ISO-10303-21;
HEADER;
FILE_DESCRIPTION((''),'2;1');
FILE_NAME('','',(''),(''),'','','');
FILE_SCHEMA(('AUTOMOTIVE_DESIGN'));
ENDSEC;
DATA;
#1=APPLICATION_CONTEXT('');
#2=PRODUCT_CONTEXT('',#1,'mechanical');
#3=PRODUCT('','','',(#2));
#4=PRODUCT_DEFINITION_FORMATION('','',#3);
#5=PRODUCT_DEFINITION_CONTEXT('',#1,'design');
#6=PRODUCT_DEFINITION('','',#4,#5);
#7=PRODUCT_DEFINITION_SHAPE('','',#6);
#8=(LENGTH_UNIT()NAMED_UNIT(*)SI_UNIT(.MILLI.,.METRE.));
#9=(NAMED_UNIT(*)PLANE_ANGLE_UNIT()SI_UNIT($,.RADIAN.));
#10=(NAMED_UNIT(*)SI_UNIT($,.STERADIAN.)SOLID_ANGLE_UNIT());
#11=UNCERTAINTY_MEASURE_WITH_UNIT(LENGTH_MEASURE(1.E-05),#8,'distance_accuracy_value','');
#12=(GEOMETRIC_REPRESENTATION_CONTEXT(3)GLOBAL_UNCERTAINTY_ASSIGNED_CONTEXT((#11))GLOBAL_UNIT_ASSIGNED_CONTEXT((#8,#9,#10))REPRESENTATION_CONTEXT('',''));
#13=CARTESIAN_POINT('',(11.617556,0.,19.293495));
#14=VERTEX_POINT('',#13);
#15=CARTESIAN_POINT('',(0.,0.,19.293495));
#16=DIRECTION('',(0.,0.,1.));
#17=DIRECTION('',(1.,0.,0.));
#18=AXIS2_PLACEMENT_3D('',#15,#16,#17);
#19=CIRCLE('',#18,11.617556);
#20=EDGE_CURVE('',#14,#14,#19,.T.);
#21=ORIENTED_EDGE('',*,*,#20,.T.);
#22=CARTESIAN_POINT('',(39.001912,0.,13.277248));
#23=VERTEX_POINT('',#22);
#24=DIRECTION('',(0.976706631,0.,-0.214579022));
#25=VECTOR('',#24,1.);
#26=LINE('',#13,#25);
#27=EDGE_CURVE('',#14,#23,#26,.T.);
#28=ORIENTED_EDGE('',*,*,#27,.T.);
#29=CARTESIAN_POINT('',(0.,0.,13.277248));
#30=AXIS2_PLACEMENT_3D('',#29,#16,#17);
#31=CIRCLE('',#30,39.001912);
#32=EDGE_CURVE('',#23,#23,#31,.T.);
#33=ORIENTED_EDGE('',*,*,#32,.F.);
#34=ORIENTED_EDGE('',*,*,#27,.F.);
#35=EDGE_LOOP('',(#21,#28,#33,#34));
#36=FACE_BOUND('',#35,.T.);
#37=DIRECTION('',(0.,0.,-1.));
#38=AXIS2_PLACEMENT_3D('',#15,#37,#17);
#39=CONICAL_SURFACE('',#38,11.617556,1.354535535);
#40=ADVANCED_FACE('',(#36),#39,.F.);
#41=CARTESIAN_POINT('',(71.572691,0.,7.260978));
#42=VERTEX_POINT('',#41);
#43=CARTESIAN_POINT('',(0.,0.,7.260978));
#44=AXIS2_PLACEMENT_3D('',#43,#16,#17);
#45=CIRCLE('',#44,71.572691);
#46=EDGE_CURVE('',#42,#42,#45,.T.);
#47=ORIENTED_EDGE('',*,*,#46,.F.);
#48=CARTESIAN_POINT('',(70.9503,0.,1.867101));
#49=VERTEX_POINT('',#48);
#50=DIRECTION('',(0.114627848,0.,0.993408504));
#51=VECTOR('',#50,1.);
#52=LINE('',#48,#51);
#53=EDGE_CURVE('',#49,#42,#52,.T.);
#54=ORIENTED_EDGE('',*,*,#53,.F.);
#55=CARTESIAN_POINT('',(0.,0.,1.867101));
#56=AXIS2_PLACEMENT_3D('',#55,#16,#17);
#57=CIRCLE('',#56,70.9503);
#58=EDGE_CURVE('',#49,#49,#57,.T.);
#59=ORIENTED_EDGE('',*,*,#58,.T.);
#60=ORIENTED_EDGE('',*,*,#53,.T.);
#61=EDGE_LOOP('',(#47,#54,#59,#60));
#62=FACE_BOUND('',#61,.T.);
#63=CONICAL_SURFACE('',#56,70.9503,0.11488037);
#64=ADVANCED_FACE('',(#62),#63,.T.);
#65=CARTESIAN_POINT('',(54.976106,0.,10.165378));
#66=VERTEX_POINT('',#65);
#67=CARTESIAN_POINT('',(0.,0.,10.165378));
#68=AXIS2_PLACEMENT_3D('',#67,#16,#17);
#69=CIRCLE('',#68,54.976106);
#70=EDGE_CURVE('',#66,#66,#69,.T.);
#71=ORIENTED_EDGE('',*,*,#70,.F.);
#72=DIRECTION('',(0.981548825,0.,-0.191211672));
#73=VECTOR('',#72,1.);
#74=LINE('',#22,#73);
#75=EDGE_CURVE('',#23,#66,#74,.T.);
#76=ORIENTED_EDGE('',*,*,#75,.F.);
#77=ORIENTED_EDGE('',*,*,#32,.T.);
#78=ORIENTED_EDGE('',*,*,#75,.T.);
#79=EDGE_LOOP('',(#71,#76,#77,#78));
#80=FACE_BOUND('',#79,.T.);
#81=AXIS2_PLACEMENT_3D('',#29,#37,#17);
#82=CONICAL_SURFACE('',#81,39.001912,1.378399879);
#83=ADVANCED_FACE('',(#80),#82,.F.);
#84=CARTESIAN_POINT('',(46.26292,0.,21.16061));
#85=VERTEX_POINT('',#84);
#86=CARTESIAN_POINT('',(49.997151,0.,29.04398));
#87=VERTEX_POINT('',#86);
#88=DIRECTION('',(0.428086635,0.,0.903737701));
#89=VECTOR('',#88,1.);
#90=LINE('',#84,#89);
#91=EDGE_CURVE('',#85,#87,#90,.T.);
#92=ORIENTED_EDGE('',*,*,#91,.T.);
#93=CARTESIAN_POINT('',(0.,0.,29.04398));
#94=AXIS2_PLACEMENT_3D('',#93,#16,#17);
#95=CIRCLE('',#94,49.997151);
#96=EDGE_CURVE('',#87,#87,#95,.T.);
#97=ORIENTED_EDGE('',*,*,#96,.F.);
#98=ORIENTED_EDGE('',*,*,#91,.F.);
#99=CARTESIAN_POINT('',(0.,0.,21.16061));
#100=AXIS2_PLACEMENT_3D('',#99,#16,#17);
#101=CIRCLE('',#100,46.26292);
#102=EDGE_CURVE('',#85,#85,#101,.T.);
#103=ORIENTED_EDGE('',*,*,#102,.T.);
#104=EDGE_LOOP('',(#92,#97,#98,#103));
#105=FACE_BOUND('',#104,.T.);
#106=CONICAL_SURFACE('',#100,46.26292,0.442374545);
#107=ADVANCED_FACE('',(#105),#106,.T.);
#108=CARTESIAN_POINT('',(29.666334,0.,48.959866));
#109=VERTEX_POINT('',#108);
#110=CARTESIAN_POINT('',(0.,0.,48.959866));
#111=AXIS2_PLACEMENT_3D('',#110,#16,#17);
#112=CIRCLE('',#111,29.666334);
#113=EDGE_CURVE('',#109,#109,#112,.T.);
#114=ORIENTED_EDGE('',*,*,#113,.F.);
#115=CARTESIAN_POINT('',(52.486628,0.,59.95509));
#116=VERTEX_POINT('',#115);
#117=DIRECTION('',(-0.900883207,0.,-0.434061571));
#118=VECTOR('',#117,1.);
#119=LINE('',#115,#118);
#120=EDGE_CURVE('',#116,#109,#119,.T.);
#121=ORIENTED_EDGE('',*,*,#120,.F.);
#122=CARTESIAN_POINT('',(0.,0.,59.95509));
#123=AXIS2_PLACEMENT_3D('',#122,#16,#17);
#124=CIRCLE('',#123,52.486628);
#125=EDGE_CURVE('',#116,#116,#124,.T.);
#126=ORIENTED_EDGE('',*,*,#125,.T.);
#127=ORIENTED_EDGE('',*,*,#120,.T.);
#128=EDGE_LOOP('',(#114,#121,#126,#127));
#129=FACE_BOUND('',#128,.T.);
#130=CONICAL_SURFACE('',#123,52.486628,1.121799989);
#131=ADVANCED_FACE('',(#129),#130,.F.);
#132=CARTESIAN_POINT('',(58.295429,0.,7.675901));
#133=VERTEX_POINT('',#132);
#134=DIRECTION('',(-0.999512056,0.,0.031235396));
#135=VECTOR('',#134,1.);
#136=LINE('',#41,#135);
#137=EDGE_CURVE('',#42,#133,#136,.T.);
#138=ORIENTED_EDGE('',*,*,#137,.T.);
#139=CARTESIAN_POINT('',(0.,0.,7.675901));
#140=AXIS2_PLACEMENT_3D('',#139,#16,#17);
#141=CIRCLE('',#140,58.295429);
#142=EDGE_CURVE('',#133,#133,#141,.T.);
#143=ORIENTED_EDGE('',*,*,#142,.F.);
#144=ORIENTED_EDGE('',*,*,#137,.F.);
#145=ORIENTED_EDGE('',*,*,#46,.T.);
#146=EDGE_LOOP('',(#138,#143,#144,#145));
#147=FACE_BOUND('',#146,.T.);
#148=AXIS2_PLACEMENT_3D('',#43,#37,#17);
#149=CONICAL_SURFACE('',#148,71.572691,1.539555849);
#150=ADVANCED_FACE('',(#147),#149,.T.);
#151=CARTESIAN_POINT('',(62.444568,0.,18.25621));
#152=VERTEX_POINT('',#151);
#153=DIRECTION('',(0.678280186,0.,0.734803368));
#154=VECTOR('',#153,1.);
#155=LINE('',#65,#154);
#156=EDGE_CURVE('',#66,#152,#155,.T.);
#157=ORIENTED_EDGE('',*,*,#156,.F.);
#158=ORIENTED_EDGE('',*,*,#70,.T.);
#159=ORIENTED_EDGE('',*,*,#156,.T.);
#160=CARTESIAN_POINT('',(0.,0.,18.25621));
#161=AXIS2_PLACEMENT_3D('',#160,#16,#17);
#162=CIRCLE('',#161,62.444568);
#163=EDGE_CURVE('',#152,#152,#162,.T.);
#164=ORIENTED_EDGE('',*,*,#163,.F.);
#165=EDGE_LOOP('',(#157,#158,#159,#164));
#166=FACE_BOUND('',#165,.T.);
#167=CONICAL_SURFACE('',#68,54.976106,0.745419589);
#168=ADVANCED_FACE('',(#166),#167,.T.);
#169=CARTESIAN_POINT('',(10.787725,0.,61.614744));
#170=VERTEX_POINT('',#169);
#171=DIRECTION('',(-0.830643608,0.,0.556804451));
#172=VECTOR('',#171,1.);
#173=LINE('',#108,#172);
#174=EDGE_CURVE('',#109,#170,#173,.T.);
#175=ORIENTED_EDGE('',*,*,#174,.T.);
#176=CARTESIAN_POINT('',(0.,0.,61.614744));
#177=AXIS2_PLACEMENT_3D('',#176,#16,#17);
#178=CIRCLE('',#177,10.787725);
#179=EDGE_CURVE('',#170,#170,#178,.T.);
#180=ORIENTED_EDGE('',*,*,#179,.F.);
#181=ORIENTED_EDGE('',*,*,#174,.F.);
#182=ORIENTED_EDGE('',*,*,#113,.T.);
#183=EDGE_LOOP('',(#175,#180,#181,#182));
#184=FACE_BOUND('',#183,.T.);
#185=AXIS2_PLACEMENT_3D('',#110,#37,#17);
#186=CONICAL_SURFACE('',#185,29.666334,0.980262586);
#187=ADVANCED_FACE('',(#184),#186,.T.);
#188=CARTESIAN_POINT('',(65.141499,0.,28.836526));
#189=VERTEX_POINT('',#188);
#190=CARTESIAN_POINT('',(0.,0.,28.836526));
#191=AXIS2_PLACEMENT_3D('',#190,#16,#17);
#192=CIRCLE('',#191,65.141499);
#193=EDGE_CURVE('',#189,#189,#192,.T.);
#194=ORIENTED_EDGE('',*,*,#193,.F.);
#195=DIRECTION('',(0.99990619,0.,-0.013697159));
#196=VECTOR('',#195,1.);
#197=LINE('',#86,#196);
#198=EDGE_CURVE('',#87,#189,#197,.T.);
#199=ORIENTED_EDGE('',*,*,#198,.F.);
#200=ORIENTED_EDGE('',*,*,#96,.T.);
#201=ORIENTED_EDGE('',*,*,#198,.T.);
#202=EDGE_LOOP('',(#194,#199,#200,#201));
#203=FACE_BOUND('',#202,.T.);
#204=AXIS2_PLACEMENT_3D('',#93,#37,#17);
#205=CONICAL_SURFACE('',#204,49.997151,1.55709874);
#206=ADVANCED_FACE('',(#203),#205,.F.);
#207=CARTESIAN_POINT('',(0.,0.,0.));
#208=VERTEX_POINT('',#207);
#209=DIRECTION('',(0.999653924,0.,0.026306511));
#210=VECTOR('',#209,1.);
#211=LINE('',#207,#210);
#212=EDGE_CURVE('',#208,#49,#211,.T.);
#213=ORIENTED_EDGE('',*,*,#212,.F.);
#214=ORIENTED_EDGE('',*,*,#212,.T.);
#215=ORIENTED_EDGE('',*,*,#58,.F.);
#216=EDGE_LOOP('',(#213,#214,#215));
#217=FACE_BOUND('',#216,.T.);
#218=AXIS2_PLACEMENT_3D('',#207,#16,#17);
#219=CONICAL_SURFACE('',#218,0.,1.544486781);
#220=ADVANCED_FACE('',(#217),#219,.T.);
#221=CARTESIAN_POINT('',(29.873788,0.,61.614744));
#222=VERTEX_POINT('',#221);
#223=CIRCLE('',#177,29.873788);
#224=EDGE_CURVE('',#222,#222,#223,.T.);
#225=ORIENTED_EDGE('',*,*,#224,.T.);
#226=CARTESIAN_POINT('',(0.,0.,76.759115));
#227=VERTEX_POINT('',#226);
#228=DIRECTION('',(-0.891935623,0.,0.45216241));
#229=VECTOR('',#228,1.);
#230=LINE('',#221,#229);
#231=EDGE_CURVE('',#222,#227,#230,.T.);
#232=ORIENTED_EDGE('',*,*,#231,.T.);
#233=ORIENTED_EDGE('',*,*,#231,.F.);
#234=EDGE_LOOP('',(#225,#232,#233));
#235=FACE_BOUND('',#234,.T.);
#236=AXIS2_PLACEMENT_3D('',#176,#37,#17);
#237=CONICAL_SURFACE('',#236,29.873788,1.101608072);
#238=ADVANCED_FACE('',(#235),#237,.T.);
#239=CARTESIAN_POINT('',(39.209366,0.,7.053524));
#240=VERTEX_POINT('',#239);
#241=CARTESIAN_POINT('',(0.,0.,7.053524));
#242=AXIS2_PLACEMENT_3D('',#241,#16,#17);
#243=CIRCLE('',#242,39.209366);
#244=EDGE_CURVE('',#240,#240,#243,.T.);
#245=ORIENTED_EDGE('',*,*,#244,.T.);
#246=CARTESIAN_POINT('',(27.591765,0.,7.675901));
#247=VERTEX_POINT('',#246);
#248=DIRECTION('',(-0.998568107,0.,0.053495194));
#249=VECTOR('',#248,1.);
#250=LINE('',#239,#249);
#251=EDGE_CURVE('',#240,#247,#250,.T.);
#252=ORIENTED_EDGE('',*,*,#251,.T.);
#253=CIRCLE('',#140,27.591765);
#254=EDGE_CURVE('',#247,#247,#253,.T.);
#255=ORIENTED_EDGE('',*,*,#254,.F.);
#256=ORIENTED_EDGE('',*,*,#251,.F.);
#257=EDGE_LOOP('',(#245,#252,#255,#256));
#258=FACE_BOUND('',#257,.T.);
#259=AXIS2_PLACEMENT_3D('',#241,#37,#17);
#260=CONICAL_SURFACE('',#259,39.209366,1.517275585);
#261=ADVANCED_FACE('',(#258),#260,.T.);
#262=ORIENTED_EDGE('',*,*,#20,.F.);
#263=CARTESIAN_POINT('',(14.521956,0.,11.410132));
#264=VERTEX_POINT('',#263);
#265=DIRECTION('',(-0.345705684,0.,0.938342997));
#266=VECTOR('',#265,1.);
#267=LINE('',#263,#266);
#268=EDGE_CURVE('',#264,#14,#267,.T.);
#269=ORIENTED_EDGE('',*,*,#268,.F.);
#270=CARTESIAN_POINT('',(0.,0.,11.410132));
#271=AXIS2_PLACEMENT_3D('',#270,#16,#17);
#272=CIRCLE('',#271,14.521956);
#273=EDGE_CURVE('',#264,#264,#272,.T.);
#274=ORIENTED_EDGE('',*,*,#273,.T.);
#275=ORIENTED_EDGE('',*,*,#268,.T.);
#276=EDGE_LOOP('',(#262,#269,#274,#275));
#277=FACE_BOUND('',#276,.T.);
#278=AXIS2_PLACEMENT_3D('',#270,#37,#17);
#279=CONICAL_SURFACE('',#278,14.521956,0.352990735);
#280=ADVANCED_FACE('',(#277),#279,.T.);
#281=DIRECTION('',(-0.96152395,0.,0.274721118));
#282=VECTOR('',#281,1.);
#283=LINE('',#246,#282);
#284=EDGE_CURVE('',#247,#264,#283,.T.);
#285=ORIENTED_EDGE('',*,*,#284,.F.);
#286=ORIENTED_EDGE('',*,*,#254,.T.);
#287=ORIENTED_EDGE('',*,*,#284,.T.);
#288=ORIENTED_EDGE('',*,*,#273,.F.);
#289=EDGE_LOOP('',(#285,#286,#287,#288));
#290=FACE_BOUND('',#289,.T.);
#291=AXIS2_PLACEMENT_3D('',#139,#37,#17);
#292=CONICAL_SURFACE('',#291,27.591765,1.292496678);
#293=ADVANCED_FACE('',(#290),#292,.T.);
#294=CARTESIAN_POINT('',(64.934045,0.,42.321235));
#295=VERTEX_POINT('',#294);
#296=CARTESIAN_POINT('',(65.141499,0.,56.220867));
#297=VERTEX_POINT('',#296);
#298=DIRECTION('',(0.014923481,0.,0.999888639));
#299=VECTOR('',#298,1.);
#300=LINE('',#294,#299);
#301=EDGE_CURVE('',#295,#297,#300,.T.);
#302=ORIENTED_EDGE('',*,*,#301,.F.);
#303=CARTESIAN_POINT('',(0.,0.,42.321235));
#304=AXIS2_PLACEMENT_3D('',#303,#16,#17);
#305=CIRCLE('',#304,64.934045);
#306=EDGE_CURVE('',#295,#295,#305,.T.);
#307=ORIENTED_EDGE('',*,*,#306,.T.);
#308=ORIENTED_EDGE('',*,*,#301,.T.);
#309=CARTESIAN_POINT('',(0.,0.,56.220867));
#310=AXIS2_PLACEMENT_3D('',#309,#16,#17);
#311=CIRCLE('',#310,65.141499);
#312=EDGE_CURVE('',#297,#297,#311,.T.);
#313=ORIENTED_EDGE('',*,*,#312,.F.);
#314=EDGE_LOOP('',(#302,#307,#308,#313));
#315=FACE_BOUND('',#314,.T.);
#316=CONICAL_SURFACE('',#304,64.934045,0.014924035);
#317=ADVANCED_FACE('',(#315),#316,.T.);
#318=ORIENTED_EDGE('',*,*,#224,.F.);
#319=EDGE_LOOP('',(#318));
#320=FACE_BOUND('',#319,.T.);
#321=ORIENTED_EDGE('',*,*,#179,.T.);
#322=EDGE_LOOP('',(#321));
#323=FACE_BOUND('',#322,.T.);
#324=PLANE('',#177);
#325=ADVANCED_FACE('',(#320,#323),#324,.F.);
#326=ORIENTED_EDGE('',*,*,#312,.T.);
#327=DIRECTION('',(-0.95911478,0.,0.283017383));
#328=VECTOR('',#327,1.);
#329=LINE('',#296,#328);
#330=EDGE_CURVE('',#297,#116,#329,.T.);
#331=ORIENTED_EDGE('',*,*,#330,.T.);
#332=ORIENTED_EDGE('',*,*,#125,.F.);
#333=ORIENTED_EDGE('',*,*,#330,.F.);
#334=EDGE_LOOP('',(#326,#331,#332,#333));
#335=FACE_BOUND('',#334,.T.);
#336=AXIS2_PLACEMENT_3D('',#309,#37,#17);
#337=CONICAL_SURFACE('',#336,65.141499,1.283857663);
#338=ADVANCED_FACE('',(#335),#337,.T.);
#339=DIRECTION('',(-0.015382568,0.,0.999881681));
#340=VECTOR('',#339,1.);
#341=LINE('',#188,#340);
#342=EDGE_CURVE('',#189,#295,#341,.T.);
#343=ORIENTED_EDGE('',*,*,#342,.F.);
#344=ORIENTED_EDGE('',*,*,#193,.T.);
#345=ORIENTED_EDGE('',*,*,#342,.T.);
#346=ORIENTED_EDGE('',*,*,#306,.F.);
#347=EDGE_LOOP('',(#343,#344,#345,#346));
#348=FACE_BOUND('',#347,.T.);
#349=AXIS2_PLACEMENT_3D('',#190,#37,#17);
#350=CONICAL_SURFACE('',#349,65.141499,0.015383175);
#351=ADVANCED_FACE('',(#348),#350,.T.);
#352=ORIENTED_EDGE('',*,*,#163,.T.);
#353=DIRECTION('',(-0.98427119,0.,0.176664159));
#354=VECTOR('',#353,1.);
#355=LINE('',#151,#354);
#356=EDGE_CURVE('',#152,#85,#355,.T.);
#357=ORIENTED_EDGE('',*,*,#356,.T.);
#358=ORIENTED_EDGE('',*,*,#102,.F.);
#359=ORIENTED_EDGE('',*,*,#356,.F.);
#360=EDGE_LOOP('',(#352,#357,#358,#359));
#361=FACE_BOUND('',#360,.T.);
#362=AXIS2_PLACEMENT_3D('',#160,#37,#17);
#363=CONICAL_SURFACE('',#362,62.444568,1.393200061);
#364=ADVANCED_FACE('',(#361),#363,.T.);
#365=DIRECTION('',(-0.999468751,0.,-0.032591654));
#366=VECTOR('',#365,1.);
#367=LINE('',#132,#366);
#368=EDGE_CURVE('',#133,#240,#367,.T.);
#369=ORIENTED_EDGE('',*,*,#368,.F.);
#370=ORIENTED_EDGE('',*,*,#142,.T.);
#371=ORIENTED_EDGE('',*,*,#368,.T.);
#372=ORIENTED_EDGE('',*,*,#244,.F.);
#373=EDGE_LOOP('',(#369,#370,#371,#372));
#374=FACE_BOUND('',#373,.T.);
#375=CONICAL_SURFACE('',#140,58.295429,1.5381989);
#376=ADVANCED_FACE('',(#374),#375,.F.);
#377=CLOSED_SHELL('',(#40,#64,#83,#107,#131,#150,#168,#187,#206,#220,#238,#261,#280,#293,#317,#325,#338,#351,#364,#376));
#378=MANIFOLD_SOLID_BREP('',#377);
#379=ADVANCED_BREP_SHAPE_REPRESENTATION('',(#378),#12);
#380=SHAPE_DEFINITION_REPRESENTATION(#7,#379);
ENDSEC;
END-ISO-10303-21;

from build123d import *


with BuildPart() as f1:
    # F0 (on Front) → F1 (revolve)
    with BuildSketch(Plane.XZ):
        Polygon((29.873788, 61.614744), (0, 76.759115), (0, 0), (70.9503, 1.867101), (71.572691, 7.260978), (58.295429, 7.675901), (39.209366, 7.053524), (27.591765, 7.675901), (14.521956, 11.410132), (11.617556, 19.293495), (39.001912, 13.277248), (54.976106, 10.165378), (62.444568, 18.25621), (46.26292, 21.16061), (49.997151, 29.04398), (65.141499, 28.836526), (64.934045, 42.321235), (65.141499, 56.220867), (52.486628, 59.95509), (29.666334, 48.959866), (10.787725, 61.614744), align=None)
    revolve(axis=Axis((0, 0, 38.379557), (0, 0, 1)))


solid = f1.part
